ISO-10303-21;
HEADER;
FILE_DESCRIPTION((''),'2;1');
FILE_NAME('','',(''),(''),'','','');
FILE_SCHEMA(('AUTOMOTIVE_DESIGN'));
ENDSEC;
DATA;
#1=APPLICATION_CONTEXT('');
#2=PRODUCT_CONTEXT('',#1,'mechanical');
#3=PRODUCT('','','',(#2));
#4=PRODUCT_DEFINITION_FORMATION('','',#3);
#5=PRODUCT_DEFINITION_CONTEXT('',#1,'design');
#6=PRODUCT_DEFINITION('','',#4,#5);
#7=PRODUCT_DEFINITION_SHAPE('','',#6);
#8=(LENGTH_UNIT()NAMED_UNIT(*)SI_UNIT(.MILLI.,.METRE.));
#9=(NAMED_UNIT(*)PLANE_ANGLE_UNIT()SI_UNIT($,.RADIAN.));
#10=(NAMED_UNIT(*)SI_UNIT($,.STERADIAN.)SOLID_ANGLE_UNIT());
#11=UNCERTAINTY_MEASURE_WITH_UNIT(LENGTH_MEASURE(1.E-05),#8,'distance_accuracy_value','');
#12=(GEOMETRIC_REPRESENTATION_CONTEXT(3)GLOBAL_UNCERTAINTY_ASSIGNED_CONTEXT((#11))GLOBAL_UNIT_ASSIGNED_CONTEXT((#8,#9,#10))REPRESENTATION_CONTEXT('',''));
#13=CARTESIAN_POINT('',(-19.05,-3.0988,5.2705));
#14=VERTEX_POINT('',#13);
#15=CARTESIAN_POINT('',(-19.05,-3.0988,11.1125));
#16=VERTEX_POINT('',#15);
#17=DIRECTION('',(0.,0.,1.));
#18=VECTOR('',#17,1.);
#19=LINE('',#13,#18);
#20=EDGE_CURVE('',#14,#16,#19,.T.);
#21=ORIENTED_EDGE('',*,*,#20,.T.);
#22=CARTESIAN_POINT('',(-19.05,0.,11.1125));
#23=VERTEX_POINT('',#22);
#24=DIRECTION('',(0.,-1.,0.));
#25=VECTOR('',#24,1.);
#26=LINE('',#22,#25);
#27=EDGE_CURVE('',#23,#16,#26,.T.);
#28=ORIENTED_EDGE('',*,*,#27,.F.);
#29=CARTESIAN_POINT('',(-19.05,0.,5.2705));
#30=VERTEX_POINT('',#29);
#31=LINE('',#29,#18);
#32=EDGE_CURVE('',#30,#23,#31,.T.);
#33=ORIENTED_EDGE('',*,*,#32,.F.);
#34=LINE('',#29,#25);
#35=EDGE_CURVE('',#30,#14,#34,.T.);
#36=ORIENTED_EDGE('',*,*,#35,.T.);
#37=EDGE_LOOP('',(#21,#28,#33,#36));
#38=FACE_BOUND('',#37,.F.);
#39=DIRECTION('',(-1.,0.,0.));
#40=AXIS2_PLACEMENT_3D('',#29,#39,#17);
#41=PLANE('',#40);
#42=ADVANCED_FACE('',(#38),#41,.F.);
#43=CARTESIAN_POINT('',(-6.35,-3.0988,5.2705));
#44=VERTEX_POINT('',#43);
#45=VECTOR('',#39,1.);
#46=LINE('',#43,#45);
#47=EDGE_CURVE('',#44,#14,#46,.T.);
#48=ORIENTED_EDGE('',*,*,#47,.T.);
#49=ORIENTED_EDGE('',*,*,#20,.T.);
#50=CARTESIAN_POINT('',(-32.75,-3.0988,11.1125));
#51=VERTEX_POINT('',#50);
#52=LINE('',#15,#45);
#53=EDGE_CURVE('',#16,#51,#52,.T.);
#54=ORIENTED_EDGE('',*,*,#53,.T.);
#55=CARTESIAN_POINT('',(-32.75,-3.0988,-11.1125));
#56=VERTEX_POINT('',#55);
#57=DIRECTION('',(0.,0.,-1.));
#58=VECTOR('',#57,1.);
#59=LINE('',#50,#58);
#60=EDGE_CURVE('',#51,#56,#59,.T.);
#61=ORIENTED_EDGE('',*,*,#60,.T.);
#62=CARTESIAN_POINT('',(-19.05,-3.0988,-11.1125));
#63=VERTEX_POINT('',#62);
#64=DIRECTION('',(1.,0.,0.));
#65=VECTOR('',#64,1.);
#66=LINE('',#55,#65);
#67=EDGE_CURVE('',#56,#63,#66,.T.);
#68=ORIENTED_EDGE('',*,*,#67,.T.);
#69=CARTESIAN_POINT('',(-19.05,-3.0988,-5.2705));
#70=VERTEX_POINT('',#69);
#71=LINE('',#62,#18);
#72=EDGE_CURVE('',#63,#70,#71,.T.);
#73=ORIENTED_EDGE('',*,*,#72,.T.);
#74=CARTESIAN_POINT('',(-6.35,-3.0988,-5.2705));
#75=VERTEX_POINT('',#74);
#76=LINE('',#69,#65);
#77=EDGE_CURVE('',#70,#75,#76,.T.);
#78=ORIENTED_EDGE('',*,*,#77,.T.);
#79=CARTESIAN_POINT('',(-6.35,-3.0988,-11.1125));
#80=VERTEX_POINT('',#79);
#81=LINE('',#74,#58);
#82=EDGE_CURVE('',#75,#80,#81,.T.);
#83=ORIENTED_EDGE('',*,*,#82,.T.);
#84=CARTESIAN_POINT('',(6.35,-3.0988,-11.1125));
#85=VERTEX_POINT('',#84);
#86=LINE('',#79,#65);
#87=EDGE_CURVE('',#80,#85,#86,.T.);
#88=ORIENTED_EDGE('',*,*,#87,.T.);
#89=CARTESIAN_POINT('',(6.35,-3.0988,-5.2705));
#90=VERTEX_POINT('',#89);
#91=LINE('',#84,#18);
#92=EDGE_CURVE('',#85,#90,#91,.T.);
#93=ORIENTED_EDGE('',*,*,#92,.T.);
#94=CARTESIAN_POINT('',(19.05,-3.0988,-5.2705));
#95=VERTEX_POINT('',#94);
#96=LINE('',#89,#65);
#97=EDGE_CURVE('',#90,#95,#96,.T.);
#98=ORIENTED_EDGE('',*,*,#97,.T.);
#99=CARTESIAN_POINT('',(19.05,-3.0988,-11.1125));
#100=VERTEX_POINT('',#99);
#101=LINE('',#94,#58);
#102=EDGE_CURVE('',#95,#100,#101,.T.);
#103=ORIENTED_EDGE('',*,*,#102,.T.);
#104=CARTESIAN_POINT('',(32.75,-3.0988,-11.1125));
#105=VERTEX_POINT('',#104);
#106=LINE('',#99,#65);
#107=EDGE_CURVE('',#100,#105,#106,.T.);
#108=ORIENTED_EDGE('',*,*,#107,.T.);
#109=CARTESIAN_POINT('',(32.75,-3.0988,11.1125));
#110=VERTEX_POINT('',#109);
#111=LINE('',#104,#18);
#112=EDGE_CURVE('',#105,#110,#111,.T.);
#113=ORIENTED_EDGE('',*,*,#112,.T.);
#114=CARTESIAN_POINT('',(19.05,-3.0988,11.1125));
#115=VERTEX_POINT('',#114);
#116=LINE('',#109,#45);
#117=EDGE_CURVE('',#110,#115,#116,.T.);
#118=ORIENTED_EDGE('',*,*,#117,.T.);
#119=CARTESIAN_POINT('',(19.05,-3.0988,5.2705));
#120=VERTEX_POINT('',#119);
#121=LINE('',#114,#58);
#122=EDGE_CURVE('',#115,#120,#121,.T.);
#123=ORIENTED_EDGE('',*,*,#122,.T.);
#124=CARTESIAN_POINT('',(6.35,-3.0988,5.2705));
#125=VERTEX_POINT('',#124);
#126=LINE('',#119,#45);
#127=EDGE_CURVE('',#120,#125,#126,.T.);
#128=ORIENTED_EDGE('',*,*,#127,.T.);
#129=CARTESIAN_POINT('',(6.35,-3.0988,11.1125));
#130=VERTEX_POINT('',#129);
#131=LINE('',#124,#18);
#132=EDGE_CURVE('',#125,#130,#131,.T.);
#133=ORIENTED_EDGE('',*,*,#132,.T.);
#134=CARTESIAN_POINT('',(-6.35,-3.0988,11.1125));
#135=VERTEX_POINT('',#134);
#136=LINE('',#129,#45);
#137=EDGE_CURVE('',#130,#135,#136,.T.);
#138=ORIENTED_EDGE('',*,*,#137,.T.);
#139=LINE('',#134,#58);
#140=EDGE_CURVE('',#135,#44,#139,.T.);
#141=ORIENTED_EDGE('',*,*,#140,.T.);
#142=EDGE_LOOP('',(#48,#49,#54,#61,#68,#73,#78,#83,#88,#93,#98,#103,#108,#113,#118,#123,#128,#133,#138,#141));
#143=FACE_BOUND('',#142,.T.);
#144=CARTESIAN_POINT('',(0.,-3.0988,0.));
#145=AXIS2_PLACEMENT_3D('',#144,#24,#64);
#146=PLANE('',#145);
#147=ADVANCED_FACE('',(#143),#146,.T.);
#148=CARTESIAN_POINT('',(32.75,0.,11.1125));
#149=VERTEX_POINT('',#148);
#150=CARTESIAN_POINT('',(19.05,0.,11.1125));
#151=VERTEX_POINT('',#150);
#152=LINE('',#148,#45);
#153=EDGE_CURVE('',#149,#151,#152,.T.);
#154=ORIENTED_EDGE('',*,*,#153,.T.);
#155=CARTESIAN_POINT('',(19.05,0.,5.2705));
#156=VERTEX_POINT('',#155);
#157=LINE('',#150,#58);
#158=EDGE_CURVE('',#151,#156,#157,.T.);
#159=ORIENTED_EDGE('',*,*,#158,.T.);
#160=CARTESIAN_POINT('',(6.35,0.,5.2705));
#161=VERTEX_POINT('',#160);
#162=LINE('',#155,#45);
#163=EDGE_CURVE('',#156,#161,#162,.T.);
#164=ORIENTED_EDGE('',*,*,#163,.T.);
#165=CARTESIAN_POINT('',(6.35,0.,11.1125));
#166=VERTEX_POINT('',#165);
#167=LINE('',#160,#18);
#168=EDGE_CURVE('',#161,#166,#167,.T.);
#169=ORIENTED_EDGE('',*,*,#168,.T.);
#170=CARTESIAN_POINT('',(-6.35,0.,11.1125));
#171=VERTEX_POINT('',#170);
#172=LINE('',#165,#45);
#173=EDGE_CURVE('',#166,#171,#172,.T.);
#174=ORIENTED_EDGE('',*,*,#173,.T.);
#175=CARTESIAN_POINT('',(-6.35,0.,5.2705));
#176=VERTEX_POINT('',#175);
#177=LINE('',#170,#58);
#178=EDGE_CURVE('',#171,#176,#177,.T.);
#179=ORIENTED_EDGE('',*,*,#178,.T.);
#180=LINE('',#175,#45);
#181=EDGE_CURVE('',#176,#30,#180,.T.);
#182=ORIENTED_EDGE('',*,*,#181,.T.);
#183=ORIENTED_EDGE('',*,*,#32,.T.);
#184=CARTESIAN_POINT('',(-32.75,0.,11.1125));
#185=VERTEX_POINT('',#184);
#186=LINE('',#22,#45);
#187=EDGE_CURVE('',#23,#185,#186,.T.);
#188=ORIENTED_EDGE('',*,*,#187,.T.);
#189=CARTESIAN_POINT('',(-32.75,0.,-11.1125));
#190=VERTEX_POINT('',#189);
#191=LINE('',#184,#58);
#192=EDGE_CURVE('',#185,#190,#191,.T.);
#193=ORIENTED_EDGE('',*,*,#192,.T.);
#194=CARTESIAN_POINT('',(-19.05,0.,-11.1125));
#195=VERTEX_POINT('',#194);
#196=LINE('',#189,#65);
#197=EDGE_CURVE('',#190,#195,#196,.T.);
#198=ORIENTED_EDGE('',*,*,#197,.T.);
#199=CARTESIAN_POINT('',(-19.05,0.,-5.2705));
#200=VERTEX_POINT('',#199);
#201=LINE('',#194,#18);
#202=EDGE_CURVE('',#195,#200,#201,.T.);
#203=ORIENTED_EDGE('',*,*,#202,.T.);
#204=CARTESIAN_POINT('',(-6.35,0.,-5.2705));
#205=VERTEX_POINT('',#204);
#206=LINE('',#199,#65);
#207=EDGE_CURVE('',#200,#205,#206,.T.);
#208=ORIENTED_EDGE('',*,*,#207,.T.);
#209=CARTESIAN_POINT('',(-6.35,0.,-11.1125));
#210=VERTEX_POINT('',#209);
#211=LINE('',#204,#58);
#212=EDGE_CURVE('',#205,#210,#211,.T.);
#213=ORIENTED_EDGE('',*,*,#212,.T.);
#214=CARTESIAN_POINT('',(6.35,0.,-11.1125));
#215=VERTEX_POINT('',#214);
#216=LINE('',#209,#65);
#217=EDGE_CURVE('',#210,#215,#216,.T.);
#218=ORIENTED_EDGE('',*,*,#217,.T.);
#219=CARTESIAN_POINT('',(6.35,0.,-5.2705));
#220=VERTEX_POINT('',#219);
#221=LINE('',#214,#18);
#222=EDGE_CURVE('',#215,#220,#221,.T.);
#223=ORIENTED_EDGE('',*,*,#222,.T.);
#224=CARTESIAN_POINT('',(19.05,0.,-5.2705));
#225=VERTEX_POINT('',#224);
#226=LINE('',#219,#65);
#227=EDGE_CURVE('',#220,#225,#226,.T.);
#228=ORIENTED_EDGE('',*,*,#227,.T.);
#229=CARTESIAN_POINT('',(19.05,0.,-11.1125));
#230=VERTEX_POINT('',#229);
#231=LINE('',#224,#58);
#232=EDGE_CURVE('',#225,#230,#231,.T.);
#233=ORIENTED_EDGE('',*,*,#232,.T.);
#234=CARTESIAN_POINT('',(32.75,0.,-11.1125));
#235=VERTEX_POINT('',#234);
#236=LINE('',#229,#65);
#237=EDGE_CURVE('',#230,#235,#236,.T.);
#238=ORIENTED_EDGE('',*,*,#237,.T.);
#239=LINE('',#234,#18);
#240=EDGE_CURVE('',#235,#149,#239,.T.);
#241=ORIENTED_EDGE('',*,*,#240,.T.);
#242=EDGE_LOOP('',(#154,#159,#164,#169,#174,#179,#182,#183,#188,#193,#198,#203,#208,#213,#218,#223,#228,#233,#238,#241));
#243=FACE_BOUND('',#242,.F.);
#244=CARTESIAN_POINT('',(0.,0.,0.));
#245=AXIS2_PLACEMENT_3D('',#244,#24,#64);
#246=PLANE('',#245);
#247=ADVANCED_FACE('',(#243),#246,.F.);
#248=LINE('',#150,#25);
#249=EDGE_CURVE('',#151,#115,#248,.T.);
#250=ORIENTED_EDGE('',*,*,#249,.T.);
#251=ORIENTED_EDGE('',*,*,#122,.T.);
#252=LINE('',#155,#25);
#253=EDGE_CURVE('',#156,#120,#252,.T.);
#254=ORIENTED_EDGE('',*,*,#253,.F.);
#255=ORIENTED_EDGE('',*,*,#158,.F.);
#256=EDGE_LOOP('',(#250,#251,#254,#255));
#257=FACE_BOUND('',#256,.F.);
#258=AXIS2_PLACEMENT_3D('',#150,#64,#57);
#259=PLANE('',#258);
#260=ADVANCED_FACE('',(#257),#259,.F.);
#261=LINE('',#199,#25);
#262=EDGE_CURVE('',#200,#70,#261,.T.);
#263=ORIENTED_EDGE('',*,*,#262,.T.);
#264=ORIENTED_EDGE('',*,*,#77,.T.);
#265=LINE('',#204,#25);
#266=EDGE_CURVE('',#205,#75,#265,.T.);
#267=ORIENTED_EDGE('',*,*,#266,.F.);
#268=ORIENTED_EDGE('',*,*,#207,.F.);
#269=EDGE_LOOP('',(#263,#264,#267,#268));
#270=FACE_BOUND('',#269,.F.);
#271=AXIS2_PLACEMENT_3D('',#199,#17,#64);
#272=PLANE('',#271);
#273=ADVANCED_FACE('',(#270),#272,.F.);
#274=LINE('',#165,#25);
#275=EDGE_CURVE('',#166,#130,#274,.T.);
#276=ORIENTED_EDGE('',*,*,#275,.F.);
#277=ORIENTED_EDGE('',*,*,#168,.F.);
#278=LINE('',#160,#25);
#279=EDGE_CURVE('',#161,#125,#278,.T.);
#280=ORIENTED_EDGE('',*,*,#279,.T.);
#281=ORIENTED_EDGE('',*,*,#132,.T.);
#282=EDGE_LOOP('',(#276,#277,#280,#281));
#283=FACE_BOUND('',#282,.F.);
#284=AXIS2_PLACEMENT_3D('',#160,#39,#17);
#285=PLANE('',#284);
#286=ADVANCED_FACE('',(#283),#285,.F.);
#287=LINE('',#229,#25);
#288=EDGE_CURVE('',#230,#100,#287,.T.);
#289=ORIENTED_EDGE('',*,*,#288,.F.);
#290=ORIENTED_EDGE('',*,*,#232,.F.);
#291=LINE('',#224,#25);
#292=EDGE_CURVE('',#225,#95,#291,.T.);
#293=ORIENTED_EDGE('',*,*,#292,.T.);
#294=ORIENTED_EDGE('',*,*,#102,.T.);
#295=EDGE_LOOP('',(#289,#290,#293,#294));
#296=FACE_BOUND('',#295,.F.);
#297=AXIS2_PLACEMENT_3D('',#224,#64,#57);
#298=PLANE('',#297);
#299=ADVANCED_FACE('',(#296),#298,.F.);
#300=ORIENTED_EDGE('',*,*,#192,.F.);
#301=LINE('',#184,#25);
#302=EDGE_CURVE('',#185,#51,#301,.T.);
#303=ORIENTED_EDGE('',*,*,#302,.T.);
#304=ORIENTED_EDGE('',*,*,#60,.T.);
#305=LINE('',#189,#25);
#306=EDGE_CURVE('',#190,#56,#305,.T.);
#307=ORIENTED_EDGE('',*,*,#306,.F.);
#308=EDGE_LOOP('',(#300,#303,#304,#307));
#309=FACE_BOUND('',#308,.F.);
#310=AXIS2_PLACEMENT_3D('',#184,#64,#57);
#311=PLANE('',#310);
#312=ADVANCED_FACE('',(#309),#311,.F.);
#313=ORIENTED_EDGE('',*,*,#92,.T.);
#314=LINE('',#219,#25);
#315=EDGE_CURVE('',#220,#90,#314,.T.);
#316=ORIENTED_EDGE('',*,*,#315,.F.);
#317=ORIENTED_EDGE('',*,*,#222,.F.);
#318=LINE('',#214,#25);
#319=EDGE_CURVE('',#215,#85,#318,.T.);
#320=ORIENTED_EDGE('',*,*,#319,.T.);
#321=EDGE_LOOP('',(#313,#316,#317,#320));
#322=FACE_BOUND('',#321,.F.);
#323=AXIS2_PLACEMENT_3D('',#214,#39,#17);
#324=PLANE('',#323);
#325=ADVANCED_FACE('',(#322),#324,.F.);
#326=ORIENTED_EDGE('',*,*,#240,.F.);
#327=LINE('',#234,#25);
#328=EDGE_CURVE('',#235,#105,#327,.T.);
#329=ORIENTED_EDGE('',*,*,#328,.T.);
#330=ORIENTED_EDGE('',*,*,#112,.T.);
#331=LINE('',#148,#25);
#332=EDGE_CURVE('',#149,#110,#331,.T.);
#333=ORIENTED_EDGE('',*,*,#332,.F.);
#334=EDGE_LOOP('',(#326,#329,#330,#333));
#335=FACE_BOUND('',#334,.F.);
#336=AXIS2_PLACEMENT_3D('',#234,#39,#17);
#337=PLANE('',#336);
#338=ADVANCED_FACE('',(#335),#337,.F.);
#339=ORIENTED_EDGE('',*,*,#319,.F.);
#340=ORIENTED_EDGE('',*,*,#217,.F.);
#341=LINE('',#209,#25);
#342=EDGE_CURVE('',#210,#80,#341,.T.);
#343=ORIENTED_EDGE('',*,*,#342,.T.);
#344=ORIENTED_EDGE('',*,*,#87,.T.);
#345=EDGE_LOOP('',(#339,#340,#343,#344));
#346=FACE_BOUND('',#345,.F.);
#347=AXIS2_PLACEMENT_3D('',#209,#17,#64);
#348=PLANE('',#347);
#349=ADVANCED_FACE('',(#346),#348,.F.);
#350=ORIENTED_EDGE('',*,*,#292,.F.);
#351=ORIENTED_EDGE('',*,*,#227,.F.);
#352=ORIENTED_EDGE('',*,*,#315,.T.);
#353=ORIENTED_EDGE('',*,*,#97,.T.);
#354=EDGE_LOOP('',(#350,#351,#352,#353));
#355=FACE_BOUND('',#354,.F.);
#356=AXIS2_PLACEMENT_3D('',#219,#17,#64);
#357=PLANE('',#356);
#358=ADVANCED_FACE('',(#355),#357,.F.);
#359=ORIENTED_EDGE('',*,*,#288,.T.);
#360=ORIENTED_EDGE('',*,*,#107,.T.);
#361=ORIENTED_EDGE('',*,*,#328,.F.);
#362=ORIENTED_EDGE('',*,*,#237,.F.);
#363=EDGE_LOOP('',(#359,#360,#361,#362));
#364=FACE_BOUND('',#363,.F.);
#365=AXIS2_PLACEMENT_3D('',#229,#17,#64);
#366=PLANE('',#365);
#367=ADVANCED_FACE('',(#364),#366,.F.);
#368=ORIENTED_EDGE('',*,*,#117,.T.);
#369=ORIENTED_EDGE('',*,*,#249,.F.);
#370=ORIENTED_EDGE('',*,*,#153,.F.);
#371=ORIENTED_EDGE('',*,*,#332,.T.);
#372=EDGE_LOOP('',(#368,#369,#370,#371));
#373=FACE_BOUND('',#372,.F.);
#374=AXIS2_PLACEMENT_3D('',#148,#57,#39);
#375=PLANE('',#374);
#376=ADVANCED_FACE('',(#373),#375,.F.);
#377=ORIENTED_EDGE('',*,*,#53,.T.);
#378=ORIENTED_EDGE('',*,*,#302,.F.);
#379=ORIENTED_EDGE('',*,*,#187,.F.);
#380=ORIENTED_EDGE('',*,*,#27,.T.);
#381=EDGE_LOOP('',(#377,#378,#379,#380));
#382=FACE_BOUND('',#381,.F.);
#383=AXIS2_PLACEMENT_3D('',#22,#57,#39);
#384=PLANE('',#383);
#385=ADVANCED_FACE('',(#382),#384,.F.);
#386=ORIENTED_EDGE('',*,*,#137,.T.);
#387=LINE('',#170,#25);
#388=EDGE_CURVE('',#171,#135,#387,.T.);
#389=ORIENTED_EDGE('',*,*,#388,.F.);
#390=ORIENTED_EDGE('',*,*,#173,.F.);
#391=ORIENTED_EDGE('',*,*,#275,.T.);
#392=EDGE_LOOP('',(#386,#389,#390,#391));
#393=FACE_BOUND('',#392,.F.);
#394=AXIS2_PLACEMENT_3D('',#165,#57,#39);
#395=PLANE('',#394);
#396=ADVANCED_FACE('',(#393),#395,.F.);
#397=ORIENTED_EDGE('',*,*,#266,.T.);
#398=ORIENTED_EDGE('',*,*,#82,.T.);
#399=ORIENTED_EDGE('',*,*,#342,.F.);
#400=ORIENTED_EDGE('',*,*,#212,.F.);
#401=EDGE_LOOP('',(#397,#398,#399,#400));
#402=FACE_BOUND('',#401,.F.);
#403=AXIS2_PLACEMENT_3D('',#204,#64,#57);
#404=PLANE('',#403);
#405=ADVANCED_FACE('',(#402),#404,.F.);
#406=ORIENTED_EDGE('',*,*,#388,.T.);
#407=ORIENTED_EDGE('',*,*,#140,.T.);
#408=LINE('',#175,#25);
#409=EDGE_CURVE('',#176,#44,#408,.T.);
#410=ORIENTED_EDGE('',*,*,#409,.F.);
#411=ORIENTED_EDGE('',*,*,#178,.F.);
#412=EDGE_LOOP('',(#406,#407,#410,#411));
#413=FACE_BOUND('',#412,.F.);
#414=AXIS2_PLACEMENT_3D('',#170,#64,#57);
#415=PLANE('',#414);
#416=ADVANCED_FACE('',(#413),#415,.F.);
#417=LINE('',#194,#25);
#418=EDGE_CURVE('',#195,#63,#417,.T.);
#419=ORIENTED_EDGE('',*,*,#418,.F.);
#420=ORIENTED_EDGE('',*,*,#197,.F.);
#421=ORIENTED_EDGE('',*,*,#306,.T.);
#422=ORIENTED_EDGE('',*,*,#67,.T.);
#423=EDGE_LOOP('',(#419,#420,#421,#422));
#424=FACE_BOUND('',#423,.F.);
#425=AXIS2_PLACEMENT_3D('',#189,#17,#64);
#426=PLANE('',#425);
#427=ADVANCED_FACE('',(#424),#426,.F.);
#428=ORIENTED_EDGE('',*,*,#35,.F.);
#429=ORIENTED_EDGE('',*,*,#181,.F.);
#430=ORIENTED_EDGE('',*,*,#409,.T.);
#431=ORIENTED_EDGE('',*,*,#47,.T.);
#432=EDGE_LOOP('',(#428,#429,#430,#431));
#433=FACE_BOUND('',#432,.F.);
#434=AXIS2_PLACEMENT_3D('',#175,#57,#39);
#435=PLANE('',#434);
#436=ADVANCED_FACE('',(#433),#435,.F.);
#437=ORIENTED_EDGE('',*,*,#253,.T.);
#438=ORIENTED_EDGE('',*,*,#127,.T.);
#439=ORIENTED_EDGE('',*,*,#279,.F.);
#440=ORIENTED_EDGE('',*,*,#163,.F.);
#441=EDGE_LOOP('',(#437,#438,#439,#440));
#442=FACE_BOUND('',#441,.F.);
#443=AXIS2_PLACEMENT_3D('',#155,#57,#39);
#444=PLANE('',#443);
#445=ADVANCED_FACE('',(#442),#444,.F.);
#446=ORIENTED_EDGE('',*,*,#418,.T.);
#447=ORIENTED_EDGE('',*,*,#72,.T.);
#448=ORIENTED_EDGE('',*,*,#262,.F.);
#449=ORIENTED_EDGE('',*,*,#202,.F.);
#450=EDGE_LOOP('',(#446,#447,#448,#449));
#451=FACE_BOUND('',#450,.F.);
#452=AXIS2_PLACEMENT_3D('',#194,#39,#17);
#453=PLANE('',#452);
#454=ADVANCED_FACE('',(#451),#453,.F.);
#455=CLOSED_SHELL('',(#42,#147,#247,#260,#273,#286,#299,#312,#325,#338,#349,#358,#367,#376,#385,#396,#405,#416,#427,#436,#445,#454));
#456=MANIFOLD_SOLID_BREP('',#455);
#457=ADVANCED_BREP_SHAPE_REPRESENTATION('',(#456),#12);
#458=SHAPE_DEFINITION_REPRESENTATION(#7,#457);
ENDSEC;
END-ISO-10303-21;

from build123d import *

# Parameters (mm, degrees)
F1_DEPTH = 3.0988


with BuildPart() as f1:
    # F0 (on Front) → F1 (new body)
    with BuildSketch(Plane.XZ):
        Polygon((-19.05, 11.1125), (-31.75, 11.1125), (-32.75, 11.1125), (-32.75, -11.1125), (-31.75, -11.1125), (-19.05, -11.1125), (-19.05, -5.2705), (-6.35, -5.2705), (-6.35, -11.1125), (6.35, -11.1125), (6.35, -5.2705), (19.05, -5.2705), (19.05, -11.1125), (31.75, -11.1125), (32.75, -11.1125), (32.75, 11.1125), (31.75, 11.1125), (19.05, 11.1125), (19.05, 5.2705), (6.35, 5.2705), (6.35, 11.1125), (-6.35, 11.1125), (-6.35, 5.2705), (-19.05, 5.2705), align=None)
    extrude(amount=F1_DEPTH)


solid = f1.part
